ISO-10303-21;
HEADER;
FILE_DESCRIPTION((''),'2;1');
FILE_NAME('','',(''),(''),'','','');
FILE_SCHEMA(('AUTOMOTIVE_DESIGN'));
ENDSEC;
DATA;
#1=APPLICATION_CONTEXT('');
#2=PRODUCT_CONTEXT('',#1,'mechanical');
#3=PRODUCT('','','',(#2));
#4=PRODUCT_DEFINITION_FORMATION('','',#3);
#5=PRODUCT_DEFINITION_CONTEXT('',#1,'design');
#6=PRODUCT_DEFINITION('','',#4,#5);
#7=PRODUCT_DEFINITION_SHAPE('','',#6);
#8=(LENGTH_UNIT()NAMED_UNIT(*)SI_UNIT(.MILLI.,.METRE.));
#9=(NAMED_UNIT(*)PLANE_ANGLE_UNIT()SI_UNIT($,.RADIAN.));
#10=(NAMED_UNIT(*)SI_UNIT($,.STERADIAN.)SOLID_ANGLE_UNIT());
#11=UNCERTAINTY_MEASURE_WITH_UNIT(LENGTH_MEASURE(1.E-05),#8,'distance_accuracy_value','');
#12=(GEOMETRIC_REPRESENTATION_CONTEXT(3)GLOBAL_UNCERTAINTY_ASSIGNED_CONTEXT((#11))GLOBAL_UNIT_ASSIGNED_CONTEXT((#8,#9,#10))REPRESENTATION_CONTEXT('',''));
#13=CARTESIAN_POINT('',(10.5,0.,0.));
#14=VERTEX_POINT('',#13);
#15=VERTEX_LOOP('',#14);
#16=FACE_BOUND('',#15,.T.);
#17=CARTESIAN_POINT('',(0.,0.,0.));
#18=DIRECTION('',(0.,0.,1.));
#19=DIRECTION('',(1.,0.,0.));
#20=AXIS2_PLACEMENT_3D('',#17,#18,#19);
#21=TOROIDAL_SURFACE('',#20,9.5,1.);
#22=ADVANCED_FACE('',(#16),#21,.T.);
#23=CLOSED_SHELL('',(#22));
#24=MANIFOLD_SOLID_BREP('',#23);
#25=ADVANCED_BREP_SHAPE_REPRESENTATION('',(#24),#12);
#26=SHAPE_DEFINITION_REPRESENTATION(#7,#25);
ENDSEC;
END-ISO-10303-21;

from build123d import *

# Parameters (mm, degrees)
SKETCH1_R = 1


with BuildPart() as part:
    # Sketch1 → Revolve1 (revolve)
    with BuildSketch(Plane(origin=(0, 0, 0), x_dir=(0, -1, 0), z_dir=(1, 0, 0)), mode=Mode.PRIVATE) as revolve1_sk:
        with Locations((9.5, 0)):
            Circle(SKETCH1_R)
    revolve(revolve1_sk.sketch.rotate(Axis((0, 0, 1), (0, 0, -1)), 270), axis=Axis((0, 0, 1), (0, 0, -1)))


solid = part.part
